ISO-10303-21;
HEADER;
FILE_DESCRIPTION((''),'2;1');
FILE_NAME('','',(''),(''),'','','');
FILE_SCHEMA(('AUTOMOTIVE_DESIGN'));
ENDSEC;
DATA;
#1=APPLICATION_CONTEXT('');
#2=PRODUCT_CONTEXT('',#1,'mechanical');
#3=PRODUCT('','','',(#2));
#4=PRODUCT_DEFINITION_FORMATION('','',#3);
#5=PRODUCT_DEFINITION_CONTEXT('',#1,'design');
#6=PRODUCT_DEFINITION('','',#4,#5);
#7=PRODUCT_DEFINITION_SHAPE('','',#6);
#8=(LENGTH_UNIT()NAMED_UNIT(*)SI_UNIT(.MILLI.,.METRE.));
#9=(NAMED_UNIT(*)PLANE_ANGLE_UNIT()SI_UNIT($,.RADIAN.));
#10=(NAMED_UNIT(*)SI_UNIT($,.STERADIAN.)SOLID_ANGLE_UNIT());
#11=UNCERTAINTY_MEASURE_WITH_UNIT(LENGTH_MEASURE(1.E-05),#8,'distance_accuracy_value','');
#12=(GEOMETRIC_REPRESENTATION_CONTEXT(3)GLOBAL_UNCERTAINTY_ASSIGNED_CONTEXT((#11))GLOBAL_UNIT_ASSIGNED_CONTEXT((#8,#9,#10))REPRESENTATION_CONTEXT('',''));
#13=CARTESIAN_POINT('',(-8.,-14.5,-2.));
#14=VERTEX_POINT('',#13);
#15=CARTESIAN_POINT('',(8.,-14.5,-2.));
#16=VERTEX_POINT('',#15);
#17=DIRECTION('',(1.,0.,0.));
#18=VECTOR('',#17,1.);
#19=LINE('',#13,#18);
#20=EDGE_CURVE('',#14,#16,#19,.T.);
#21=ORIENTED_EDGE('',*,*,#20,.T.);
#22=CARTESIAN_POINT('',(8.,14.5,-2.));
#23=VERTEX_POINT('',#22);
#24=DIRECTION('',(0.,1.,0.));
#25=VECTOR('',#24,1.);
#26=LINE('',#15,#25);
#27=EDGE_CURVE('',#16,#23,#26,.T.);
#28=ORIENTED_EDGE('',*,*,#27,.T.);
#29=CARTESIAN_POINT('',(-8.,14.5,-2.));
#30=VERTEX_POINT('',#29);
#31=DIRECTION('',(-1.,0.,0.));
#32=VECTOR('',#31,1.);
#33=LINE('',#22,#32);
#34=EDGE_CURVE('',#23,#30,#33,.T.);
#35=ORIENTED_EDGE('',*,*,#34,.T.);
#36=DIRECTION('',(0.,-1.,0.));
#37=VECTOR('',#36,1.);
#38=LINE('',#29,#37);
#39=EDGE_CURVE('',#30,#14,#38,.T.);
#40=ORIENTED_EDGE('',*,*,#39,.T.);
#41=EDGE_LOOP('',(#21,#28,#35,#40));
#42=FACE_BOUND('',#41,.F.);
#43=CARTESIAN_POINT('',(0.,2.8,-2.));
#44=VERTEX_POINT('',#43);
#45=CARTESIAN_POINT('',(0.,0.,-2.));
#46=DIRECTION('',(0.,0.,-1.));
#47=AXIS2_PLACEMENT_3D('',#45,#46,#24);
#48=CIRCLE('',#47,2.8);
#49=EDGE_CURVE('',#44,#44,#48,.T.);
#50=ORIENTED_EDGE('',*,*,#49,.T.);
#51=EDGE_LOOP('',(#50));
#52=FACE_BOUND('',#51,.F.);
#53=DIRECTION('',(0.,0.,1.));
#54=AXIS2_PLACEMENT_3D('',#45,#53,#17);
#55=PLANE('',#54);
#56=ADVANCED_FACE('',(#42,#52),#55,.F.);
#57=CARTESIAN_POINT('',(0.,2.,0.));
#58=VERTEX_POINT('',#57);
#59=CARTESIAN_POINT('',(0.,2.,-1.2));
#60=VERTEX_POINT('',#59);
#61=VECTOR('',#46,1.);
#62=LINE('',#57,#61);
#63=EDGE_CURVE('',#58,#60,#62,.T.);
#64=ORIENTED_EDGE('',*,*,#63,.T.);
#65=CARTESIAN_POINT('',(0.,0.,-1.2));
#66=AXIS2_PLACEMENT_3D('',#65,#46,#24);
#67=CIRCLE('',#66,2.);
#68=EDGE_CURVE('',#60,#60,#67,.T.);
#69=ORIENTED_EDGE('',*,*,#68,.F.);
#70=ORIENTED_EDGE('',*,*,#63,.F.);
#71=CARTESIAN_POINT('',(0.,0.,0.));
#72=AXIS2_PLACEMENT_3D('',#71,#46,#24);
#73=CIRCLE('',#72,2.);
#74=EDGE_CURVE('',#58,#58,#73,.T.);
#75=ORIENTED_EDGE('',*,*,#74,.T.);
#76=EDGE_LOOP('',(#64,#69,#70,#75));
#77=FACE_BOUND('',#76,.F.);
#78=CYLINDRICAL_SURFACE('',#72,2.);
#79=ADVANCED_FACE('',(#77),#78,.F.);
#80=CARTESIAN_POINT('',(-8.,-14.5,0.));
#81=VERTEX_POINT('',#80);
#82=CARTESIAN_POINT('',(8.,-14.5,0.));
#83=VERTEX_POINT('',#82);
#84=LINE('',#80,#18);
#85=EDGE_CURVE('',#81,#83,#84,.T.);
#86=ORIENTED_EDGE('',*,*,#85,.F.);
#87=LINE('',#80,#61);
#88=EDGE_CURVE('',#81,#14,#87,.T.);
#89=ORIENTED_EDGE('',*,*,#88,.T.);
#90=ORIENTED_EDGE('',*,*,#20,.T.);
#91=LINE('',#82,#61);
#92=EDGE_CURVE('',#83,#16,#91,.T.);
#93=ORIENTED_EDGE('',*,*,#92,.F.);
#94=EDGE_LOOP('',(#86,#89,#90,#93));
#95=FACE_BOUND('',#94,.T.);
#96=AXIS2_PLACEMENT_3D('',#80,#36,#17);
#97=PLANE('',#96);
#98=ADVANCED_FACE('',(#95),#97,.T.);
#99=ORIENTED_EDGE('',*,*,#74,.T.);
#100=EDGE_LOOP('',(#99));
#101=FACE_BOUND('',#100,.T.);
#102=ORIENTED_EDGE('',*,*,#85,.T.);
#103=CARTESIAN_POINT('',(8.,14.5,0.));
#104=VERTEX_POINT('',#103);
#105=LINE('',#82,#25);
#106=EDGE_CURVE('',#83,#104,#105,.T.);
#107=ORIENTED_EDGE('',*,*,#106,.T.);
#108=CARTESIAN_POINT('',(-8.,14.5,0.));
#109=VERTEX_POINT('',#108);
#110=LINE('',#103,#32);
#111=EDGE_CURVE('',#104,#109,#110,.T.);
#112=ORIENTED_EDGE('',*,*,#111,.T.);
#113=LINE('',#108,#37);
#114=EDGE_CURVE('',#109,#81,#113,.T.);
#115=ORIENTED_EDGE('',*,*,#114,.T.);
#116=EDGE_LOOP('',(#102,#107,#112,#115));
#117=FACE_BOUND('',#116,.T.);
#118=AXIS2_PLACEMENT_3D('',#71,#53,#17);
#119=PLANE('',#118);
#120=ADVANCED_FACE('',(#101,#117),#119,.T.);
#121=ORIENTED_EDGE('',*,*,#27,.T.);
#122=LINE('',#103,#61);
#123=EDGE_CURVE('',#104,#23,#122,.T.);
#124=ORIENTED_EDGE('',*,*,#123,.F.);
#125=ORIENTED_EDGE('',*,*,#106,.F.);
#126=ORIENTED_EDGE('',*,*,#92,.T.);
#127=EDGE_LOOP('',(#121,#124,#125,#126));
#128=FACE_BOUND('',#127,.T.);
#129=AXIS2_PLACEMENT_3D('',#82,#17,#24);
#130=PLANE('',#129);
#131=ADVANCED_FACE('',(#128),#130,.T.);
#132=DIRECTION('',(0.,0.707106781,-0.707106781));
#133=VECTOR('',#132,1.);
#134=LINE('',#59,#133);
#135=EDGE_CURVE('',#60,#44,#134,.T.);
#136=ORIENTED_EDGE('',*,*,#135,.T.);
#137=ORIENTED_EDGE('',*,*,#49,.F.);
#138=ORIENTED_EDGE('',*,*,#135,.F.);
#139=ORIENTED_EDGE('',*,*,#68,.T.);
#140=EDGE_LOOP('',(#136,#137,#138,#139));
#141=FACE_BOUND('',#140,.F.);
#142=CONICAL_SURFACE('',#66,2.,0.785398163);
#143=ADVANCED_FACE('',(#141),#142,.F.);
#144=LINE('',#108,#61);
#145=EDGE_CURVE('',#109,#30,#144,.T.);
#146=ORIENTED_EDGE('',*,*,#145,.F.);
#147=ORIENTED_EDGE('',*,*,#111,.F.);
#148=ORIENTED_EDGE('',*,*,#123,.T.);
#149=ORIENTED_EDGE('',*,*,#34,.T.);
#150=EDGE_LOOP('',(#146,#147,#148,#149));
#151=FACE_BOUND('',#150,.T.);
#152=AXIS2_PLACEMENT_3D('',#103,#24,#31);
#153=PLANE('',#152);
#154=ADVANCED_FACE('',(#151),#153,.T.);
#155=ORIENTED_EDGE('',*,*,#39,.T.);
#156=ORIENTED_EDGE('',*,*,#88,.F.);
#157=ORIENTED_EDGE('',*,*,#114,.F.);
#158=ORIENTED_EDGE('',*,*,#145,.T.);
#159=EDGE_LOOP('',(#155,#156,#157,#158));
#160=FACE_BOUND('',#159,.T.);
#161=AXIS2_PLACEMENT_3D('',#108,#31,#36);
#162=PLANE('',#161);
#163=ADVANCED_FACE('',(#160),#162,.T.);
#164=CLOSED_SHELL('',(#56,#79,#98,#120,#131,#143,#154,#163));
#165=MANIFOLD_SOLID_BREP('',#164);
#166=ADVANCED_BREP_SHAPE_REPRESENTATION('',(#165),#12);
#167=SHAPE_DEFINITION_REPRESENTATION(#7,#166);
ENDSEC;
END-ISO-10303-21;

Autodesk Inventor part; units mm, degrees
sketch "Sketch_1" plane through (0, 0, 0) normal (0, 0, 1) x (1, 0, 0)
  line L0 (-8, 14.5) -> (-8, -14.5)
  line L1 (-8, -14.5) -> (8, -14.5)
  line L2 (8, -14.5) -> (8, 14.5)
  line L3 (8, 14.5) -> (-8, 14.5)
extrude "Extrusion1" add sketch "Sketch_1" against normal blind 2
sketch "Sketch_2" plane through (0, 0, 0) normal (1, 0, 0) x (0, 1, 0)
  line L0 (0, -2) -> (0, 0)
  line L1 (0, 0) -> (2, 0)
  line L2 (2, 0) -> (2, -1.2)
  line L3 (2, -1.2) -> (2.8, -2)
  line L4 (2.8, -2) -> (0, -2)
  line L5 (0, -2) -> (0, 0)
revolve "Revolution1" cut sketch "Sketch_2" angle 360 about axis through (0, 0, -2) along (0, 0, -1)
ref_plane "to_magnet_XY" through (0, 0, 0) normal (0, 0, 1) x (1, 0, 0)
ref_plane "to_magnet_YZ" through (0, 0, 0) normal (1, 0, 0) x (0, 1, 0)
ref_plane "to_magnet_ZX" through (0, 0, 0) normal (0, 1, 0) x (0, 0, 1)
ref_plane "b1_XY" through (0, -25, -1.2) normal (0, 0, 1) x (1, 0, 0)
ref_plane "b1_YZ" through (0, -25, -1.2) normal (1, 0, 0) x (0, 1, 0)
ref_plane "b1_ZX" through (0, -25, -1.2) normal (0, 1, 0) x (0, 0, 1)
ref_plane "b2_XY" through (0, 25, -1.2) normal (0, 0, 1) x (1, 0, 0)
ref_plane "b2_YZ" through (0, 25, -1.2) normal (1, 0, 0) x (0, 1, 0)
ref_plane "b2_ZX" through (0, 25, -1.2) normal (0, 1, 0) x (0, 0, 1)
ref_plane "bb1_XY" through (0, 0, -1.2) normal (0, 0, 1) x (1, 0, 0)
ref_plane "bb1_YZ" through (0, 0, -1.2) normal (1, 0, 0) x (0, 1, 0)
ref_plane "bb1_ZX" through (0, 0, -1.2) normal (0, 1, 0) x (0, 0, 1)
ref_plane "b2x_XY" through (0, 25, 0) normal (0, 0, 1) x (1, 0, 0)
ref_plane "b2x_YZ" through (0, 25, 0) normal (1, 0, 0) x (0, 1, 0)
ref_plane "b2x_ZX" through (0, 25, 0) normal (0, 1, 0) x (0, 0, 1)
ref_plane "b1x_XY" through (0, -25, 0) normal (0, 0, 1) x (1, 0, 0)
ref_plane "b1x_YZ" through (0, -25, 0) normal (1, 0, 0) x (0, 1, 0)
ref_plane "b1x_ZX" through (0, -25, 0) normal (0, 1, 0) x (0, 0, 1)
properties part number "HMEN5-5-dps"
